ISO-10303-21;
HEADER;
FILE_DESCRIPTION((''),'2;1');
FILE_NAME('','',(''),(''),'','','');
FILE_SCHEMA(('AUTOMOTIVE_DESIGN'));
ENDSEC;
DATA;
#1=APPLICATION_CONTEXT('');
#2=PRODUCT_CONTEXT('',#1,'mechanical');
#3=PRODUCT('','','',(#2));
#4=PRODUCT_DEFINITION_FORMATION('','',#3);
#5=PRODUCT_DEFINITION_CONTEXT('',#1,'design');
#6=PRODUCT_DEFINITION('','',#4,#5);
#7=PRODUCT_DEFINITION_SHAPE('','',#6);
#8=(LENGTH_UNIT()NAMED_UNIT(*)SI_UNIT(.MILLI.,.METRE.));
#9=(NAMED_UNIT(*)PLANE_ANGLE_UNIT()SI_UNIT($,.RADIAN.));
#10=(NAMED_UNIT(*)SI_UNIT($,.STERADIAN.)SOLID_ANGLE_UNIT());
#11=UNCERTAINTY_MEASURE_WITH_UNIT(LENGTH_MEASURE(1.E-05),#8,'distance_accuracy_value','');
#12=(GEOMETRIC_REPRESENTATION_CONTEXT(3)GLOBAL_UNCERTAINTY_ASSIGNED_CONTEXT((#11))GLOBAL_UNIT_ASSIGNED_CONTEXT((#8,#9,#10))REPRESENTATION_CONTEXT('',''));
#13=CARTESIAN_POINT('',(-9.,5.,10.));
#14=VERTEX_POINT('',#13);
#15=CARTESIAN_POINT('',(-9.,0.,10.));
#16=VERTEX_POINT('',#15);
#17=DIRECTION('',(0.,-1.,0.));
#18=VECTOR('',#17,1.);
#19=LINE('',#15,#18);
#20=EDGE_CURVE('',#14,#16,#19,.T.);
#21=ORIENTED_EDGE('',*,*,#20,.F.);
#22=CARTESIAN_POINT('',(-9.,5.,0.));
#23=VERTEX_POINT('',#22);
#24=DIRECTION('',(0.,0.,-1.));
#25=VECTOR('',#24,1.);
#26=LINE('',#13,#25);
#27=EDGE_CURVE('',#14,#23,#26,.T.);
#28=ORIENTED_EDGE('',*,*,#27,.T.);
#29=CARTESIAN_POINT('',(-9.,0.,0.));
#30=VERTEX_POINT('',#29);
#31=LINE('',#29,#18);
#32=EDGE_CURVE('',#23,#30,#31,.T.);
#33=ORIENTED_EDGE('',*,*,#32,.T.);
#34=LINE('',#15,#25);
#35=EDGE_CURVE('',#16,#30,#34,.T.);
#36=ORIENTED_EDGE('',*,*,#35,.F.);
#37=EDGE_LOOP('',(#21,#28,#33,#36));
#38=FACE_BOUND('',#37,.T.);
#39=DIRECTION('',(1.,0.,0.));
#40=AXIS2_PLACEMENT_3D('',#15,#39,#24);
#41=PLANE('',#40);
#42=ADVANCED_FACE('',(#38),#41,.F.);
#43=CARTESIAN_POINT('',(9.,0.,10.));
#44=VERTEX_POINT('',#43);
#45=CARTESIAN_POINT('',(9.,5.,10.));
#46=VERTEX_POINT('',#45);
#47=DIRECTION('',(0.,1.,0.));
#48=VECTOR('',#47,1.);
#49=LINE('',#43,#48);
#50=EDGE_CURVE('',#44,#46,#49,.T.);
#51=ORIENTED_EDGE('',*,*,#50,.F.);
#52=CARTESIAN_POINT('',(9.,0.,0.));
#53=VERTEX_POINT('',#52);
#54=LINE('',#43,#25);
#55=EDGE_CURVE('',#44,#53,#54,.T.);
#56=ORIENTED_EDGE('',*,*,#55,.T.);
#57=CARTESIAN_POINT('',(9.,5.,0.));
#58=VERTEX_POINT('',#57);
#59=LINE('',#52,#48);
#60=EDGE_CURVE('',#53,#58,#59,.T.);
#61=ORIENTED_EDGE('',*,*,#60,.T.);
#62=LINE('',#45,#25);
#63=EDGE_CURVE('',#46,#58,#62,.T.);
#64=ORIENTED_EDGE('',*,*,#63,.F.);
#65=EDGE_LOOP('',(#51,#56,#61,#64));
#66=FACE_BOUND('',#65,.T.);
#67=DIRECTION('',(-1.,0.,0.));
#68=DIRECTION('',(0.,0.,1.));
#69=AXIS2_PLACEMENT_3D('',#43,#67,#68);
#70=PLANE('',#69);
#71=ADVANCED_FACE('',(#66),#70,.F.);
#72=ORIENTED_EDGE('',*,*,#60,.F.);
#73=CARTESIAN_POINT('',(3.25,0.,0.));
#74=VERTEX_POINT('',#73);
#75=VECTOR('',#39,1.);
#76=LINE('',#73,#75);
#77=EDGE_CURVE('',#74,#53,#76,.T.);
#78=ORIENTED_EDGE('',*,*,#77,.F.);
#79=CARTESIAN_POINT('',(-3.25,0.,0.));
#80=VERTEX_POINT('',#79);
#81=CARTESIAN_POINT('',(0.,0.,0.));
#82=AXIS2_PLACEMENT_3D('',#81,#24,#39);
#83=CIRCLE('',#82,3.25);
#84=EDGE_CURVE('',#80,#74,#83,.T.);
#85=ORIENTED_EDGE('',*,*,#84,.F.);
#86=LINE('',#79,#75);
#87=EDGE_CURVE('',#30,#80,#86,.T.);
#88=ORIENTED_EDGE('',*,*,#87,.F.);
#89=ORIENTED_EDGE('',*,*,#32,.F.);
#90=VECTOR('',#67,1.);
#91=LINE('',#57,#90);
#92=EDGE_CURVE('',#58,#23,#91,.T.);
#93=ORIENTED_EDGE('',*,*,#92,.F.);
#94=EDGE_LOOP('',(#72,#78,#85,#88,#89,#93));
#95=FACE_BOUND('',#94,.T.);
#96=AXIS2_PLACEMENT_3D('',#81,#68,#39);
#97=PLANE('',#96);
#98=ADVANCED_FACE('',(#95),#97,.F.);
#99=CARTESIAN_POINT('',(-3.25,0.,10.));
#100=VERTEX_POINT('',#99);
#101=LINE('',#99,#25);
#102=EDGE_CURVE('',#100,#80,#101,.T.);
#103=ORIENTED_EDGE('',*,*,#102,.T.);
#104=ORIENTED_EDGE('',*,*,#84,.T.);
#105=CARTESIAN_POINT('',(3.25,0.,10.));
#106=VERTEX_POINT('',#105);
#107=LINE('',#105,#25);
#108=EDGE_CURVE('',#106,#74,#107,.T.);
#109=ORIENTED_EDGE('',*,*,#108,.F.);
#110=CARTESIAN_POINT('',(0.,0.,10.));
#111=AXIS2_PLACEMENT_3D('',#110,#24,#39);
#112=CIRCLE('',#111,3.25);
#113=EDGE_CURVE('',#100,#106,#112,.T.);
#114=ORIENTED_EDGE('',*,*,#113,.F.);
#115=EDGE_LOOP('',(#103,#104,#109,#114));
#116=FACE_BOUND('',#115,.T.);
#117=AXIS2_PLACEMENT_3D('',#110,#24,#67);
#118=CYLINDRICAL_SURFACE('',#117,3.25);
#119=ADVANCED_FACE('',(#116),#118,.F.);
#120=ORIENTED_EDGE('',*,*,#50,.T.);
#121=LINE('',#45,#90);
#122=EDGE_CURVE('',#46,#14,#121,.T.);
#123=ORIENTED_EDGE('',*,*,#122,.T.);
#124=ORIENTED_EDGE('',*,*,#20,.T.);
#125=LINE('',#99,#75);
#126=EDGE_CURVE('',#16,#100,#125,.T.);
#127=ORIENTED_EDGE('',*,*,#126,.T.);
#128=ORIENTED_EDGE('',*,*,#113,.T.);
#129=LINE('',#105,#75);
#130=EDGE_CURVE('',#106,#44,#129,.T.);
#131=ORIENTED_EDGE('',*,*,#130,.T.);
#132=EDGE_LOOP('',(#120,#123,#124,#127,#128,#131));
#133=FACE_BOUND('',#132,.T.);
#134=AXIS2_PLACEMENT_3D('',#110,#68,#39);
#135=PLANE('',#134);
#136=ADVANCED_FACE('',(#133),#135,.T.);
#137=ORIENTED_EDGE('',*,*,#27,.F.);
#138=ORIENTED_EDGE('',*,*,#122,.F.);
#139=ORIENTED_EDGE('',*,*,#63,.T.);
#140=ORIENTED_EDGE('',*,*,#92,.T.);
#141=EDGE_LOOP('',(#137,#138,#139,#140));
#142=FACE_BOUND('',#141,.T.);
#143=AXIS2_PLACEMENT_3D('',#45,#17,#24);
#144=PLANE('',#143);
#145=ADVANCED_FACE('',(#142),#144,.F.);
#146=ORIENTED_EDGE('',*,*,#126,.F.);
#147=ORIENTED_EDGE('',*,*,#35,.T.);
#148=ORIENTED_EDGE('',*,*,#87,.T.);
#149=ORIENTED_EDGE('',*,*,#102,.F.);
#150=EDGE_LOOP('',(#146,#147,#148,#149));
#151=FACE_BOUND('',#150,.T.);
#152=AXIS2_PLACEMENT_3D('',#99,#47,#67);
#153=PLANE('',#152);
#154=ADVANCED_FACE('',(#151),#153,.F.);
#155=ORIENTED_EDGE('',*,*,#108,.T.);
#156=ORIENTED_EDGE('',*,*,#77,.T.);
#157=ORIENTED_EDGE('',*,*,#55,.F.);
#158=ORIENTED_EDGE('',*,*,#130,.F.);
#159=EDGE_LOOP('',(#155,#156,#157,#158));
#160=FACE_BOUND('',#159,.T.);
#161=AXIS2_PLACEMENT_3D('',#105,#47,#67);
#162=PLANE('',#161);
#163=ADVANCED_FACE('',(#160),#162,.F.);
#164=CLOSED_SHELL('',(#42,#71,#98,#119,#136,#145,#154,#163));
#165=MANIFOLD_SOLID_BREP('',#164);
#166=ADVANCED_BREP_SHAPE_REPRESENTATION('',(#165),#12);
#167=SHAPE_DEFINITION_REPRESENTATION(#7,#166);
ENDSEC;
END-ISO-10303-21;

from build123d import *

# Parameters (mm, degrees)
BOSS_EXTRUDE1_DEPTH = 10


with BuildPart() as part:
    # Sketch1 → Boss-Extrude1 (new body)
    with BuildSketch(Plane.XY):
        with BuildLine():
            Line((3.25, 0), (9, 0))
            Line((9, 0), (9, 5))
            Line((9, 5), (-9, 5))
            Line((-9, 5), (-9, 0))
            Line((-9, 0), (-3.25, 0))
            ThreePointArc((-3.25, 0), (0, 3.25), (3.25, 0))
        make_face()
    extrude(amount=BOSS_EXTRUDE1_DEPTH)


solid = part.part
